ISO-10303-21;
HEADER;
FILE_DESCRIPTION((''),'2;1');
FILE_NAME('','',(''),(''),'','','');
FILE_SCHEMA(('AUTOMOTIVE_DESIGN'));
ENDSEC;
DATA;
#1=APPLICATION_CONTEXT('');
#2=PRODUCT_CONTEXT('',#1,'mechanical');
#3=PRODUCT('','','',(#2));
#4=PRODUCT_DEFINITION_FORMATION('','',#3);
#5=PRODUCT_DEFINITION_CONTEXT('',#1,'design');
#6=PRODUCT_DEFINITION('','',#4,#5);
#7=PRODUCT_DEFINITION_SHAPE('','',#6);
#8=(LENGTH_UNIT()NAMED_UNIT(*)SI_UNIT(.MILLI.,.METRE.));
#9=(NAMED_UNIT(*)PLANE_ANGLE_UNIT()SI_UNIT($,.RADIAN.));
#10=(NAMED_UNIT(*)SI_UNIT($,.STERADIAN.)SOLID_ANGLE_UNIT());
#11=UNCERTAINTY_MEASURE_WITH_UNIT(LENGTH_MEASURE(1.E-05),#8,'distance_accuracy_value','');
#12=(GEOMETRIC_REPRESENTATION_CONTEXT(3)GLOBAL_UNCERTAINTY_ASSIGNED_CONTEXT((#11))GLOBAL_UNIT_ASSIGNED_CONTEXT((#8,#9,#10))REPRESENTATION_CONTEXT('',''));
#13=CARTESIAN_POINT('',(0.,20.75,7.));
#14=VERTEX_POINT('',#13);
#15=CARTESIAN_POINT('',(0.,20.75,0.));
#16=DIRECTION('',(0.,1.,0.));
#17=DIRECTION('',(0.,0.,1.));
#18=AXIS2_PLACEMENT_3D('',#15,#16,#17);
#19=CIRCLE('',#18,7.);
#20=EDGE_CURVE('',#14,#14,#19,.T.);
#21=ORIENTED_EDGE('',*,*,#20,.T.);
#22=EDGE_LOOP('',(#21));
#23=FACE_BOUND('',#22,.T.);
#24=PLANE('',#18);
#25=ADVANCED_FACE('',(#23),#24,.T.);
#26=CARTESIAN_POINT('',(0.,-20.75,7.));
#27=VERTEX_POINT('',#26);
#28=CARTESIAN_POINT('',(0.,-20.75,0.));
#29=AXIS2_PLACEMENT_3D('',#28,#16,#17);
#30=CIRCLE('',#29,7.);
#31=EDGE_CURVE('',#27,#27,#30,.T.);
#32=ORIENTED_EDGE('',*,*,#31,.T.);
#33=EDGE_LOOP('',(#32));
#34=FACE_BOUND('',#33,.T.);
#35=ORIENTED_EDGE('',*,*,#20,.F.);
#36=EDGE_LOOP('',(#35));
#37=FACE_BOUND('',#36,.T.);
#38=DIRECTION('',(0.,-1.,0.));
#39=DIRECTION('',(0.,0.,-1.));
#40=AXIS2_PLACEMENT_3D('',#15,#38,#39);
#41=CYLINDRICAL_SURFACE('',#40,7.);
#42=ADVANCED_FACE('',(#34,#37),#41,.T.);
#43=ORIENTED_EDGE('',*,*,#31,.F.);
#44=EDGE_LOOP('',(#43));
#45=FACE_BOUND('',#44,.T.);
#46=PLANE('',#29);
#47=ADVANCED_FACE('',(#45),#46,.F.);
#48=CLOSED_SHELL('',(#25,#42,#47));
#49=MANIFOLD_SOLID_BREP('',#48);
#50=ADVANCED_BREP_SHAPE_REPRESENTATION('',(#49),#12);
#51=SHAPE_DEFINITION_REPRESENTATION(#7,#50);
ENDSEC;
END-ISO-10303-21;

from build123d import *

# Parameters (mm, degrees)
SKETCH1_R           = 7
BOSS_EXTRUDE1_DEPTH = 20.75


with BuildPart() as part:
    # Sketch1 → Boss-Extrude1 (new body, symmetric)
    with BuildSketch(Plane(origin=(0, 0, 0), x_dir=(1, 0, 0), z_dir=(0, 1, 0))):
        Circle(SKETCH1_R)
    extrude(amount=BOSS_EXTRUDE1_DEPTH, both=True)


solid = part.part
